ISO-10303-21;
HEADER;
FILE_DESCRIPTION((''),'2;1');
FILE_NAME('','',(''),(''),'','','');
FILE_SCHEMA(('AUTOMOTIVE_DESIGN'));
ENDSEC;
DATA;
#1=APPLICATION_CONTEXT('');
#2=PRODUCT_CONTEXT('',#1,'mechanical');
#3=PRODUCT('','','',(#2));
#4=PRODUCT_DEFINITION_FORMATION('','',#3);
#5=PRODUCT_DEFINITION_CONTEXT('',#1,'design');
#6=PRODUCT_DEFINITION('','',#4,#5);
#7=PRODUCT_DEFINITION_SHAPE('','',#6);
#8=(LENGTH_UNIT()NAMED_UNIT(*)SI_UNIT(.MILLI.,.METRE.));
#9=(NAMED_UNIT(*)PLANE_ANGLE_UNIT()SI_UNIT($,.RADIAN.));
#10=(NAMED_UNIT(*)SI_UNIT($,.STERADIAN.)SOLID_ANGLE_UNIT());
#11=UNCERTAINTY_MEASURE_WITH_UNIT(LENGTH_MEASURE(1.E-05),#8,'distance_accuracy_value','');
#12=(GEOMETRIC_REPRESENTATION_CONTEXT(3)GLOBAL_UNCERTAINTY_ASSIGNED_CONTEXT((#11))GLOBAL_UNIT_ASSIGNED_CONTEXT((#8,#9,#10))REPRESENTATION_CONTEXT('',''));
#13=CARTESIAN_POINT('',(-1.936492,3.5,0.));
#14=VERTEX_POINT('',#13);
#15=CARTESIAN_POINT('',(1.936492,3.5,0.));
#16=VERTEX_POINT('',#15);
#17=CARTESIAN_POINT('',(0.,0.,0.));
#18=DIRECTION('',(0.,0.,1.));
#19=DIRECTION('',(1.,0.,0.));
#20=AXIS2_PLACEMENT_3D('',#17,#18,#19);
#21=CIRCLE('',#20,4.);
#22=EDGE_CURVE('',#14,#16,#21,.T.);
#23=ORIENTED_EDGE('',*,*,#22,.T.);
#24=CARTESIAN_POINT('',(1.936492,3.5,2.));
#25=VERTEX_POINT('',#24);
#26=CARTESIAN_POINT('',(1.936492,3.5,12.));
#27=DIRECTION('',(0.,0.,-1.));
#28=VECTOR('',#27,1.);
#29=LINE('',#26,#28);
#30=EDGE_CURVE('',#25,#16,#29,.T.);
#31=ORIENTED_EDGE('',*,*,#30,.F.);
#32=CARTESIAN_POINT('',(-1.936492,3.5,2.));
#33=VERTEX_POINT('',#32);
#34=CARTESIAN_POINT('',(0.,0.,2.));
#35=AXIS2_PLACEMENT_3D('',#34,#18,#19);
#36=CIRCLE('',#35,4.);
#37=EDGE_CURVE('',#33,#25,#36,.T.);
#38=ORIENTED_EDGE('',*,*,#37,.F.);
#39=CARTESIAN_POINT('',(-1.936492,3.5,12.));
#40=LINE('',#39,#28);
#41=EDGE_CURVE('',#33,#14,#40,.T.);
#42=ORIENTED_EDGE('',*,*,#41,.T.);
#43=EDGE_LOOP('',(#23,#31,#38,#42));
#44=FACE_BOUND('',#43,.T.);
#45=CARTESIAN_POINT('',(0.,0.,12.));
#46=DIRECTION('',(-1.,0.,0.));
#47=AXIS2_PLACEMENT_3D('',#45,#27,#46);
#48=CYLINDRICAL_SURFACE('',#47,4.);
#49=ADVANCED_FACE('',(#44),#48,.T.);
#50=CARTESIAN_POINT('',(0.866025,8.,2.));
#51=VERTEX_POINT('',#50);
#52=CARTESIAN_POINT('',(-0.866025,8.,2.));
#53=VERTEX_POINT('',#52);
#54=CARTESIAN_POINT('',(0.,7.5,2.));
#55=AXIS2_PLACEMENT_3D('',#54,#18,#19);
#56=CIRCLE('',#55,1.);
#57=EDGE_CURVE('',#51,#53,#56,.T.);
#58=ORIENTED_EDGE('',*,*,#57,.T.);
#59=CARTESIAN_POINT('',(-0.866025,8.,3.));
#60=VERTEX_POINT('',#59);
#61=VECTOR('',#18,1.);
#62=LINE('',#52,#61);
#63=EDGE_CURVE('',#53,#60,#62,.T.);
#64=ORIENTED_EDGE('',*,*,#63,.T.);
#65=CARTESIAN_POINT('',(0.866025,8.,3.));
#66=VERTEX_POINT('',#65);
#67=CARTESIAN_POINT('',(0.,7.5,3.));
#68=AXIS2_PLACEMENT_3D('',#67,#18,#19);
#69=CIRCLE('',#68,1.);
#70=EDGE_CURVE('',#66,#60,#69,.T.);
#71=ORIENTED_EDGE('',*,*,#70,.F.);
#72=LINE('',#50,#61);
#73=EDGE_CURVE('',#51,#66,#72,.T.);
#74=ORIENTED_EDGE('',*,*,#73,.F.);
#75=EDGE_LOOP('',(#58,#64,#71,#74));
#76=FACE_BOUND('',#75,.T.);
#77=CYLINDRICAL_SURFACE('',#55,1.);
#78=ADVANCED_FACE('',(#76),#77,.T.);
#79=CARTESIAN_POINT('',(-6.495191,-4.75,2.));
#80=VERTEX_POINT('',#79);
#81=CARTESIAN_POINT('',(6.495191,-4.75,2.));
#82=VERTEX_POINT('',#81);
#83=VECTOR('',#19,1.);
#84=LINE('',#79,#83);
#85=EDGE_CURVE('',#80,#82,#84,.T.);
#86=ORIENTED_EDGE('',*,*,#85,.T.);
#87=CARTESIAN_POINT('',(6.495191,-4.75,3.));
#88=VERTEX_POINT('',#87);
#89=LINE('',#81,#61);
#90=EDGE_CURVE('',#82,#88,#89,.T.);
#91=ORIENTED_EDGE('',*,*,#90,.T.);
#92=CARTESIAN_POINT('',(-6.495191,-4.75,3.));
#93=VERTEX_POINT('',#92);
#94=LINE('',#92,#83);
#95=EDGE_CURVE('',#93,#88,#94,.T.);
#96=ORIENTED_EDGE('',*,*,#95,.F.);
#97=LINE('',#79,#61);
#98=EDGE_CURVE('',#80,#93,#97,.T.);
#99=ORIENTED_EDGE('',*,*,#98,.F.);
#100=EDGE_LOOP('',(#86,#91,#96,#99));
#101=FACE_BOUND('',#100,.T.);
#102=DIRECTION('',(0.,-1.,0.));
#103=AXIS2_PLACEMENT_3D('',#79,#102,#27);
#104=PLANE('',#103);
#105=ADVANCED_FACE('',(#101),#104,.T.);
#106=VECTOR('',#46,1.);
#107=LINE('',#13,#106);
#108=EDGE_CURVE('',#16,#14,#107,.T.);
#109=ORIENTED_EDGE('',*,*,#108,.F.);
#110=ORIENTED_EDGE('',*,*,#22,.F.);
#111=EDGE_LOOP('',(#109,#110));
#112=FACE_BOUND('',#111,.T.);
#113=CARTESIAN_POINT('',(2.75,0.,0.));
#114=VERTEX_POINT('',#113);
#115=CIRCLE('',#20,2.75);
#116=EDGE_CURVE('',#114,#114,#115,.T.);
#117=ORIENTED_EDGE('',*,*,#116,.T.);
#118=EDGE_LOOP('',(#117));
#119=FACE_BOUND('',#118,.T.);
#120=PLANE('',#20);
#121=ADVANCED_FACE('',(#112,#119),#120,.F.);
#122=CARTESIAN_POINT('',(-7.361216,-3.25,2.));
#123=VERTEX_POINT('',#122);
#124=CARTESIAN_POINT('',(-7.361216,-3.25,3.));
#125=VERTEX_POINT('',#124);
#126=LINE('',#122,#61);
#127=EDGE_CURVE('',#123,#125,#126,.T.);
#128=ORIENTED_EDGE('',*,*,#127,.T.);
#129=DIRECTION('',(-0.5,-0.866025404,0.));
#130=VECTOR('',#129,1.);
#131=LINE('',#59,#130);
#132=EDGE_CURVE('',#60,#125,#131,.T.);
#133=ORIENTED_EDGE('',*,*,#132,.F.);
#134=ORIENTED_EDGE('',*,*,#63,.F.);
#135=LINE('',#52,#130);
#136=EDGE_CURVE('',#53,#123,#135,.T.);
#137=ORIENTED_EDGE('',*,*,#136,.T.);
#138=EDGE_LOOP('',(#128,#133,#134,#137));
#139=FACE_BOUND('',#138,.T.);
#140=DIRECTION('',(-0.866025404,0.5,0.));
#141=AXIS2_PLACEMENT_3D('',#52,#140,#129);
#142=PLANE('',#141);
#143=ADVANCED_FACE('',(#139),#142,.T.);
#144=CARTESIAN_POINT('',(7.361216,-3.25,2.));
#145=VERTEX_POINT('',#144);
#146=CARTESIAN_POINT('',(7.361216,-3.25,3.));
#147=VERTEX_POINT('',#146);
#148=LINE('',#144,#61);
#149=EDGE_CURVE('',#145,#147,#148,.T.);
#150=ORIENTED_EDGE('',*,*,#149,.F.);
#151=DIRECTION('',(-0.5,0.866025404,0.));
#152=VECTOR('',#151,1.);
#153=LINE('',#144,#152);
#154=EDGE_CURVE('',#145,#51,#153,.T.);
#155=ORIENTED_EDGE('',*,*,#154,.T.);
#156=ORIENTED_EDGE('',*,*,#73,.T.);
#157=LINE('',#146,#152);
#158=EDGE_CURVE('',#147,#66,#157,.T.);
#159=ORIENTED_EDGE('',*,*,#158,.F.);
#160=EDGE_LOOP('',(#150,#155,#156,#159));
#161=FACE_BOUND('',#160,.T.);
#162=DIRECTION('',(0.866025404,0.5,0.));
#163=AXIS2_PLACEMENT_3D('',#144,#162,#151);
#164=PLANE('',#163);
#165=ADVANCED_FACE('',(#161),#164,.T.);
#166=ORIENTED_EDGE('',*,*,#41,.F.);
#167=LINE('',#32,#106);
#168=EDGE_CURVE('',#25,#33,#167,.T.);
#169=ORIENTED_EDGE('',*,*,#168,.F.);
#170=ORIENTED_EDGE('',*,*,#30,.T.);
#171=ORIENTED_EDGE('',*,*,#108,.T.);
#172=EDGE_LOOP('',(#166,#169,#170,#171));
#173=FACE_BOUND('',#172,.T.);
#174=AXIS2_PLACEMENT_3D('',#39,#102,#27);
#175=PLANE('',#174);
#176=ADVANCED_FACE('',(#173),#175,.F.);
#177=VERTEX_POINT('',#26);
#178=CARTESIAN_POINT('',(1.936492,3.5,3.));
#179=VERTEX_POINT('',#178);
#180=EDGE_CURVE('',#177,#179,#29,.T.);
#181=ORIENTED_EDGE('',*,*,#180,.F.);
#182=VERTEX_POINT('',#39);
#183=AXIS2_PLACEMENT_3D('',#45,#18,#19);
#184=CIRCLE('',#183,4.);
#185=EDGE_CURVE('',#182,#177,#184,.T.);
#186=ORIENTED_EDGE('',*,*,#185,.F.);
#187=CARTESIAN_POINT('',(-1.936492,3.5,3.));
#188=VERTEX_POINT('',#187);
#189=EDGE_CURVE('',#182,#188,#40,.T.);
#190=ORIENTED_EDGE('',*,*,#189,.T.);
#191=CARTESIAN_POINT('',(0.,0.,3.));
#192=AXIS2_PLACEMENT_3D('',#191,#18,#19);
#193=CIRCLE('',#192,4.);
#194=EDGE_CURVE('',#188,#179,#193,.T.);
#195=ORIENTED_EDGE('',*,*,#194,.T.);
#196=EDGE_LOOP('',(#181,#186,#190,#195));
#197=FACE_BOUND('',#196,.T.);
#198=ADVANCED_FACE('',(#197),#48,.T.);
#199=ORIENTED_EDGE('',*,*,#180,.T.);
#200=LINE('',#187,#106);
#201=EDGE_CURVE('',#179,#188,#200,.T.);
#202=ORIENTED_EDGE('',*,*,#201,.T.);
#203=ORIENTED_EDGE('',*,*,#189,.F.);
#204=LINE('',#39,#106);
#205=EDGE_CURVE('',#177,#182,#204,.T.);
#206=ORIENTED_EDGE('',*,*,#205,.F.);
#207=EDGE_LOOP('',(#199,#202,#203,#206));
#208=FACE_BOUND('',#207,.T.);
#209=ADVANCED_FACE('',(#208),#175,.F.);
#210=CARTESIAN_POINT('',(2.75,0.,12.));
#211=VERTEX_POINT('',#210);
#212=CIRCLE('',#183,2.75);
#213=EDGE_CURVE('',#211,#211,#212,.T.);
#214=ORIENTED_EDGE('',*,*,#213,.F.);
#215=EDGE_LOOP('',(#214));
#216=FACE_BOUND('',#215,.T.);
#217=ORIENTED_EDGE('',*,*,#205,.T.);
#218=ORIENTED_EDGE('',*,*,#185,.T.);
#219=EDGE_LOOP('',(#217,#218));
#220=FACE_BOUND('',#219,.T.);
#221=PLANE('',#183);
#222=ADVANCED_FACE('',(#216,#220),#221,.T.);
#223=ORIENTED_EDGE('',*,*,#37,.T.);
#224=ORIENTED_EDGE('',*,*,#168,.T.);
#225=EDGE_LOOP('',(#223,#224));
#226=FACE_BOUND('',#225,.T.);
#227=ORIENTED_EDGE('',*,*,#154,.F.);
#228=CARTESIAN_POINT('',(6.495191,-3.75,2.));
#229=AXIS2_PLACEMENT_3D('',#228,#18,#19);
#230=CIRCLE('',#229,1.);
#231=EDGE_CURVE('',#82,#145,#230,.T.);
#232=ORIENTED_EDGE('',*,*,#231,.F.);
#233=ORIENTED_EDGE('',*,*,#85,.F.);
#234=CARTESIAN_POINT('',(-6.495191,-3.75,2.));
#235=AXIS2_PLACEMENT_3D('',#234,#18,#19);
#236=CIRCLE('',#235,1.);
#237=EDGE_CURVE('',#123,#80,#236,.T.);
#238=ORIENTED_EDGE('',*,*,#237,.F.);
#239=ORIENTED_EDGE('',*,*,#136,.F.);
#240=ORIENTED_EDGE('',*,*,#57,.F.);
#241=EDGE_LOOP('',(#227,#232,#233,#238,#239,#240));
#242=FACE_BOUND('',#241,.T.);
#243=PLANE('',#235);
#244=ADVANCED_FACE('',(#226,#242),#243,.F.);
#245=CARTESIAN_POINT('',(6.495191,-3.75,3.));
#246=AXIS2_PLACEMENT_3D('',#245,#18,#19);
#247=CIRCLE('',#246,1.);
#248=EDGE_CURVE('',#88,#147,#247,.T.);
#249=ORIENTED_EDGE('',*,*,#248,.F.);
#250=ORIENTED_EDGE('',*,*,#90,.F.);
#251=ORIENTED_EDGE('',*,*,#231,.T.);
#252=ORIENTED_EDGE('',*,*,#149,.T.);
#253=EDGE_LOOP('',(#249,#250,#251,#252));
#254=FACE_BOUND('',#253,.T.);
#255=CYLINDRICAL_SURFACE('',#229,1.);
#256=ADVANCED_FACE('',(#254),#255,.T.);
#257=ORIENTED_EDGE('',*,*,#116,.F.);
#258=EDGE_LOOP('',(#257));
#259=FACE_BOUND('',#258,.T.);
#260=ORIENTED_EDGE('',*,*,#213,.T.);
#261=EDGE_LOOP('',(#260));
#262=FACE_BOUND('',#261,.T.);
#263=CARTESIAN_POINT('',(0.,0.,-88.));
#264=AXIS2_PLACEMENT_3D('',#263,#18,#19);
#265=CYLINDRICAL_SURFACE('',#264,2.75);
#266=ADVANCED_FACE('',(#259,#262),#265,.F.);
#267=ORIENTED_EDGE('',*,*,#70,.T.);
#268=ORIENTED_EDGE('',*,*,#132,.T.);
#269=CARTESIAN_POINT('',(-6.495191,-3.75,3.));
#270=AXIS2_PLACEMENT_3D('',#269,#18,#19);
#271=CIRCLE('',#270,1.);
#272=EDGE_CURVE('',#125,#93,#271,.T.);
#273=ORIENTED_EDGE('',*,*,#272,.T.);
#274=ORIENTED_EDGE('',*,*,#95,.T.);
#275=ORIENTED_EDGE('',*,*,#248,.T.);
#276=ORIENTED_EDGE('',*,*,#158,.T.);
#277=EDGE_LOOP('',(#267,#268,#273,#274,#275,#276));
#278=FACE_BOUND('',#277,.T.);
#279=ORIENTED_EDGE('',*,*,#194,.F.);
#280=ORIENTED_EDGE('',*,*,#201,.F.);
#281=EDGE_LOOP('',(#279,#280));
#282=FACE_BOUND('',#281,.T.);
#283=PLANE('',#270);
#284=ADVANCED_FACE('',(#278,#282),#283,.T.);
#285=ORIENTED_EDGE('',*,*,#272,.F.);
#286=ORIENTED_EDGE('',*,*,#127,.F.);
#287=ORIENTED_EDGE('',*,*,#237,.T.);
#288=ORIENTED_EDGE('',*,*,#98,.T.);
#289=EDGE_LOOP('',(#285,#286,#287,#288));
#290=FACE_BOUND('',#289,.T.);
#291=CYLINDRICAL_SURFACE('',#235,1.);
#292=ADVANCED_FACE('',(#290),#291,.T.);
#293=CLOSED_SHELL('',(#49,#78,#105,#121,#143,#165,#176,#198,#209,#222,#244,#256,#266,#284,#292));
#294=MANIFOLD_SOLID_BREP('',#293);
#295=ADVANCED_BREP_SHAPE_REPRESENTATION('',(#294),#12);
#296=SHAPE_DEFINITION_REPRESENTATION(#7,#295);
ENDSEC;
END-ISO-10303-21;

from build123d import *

# Parameters (mm, degrees)
EXTRUDE_1_DEPTH     = 12
EXTRUDE_2_DEPTH     = 1
SKETCH_2_R          = 2.75
CUT_EXTRUDE_1_DEPTH = 100


with BuildPart() as part:
    # 草图1 → 凸台-拉伸1 (new body)
    with BuildSketch(Plane.XY):
        with BuildLine():
            Line((-1.936491673, 3.5), (1.936491673, 3.5))
            ThreePointArc((1.936491673, 3.5), (0, -4), (-1.936491673, 3.5))
        make_face()
    extrude(amount=EXTRUDE_1_DEPTH)

    # 草图3 → 凸台-拉伸2 (add)
    with BuildSketch(Plane.XY.offset(3)):
        with BuildLine():
            Line((-6.495190528, -4.75), (6.495190528, -4.75))
            ThreePointArc((6.495190528, -4.75), (7.361215932, -4.25), (7.361215932, -3.25))
            Line((7.361215932, -3.25), (0.866025404, 8))
            ThreePointArc((0.866025404, 8), (0, 8.5), (-0.866025404, 8))
            Line((-0.866025404, 8), (-7.361215932, -3.25))
            ThreePointArc((-7.361215932, -3.25), (-7.361215932, -4.25), (-6.495190528, -4.75))
        make_face()
    extrude(amount=-EXTRUDE_2_DEPTH)

    # 草图2 → 切除-拉伸1 (cut)
    with BuildSketch(Plane.XY.offset(12)):
        Circle(SKETCH_2_R)
    extrude(amount=-CUT_EXTRUDE_1_DEPTH, mode=Mode.SUBTRACT)


solid = part.part
